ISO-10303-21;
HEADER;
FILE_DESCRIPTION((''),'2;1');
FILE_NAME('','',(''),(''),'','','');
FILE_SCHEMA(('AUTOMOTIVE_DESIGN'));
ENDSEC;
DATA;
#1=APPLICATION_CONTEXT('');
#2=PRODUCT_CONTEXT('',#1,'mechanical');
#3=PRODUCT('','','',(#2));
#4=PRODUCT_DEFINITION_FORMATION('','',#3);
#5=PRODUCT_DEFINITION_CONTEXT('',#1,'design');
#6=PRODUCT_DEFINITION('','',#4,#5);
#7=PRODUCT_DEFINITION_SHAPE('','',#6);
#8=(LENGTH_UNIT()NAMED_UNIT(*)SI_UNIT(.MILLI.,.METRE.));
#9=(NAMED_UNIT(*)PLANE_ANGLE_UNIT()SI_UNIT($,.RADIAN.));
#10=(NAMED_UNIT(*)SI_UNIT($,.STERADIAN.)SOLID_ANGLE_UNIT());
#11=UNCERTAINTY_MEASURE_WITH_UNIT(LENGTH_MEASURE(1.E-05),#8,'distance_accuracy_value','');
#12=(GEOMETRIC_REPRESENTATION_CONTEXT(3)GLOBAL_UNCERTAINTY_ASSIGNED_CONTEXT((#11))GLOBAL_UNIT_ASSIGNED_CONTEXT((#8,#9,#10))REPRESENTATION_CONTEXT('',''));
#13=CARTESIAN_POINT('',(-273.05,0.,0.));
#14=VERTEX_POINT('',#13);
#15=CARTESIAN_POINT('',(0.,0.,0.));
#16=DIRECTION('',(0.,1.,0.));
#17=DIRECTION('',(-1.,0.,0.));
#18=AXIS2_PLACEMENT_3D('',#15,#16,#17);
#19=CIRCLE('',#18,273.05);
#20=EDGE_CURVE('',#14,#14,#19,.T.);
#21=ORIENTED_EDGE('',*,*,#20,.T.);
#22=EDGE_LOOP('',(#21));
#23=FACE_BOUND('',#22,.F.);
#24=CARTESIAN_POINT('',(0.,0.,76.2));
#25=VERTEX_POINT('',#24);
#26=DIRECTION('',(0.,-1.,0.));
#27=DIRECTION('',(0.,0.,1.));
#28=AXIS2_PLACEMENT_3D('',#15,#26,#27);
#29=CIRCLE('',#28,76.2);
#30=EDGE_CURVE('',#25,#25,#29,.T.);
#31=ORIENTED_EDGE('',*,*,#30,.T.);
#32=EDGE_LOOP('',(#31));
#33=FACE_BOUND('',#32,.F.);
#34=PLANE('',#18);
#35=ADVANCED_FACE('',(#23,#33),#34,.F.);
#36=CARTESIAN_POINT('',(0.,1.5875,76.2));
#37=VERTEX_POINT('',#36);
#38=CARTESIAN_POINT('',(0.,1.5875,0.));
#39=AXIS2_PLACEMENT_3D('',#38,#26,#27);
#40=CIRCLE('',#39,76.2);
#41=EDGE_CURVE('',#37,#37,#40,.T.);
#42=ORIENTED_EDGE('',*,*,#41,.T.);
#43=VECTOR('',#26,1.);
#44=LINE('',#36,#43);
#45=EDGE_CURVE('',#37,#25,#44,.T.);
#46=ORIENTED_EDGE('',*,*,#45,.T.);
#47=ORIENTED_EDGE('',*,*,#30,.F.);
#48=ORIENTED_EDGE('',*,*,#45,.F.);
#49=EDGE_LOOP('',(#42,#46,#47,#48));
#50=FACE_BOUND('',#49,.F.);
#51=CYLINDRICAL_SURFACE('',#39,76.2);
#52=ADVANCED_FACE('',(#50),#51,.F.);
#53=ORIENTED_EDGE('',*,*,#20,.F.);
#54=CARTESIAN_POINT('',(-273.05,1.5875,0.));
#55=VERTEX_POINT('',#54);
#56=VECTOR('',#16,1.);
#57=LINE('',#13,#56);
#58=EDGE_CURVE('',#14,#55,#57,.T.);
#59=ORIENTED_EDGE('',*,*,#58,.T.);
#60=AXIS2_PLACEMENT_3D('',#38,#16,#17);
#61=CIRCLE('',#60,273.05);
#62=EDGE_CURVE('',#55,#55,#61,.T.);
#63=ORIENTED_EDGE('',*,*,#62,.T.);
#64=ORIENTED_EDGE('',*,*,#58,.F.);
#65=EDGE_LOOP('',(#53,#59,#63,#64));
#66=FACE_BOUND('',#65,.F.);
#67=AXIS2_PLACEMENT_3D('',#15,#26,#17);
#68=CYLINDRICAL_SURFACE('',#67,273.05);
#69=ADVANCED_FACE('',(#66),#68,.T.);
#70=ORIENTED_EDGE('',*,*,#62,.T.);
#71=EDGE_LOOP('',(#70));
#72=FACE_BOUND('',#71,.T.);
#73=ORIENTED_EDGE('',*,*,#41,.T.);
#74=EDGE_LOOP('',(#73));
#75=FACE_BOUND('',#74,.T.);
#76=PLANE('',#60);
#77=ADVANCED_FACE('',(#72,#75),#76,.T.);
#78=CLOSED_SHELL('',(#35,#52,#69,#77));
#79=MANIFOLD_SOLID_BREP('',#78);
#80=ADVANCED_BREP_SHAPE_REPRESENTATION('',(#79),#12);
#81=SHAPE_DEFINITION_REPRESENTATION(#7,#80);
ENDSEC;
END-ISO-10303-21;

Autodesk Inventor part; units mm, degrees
ref_plane "YZ Plane" through (0, 0, 0) normal (1, 0, 0) x (0, 1, 0)
ref_plane "XZ Plane" through (0, 0, 0) normal (0, 1, 0) x (-1, 0, 0)
ref_plane "XY Plane" through (0, 0, 0) normal (0, 0, 1) x (1, 0, 0)
sketch "Sketch1" plane through (0, 0, 0) normal (0, 1, 0) x (-1, 0, 0)
  circle A0 centre (0, 0) radius 273.05
  dimension "d0" = 546.1
extrude "Extrusion1" add sketch "Sketch1" along normal blind 1.5875
sketch "Sketch2" plane through (0, 1.5875, 0) normal (0, 1, 0) x (1, 0, 0)
  point P0 (0, 0)
  point P1 (0, 0)
hole "Hole1" at (0, 1.5875, 0) direction (0, -1, 0) diameter 152.4 end through all
properties part number "CAR_002_Plate"
